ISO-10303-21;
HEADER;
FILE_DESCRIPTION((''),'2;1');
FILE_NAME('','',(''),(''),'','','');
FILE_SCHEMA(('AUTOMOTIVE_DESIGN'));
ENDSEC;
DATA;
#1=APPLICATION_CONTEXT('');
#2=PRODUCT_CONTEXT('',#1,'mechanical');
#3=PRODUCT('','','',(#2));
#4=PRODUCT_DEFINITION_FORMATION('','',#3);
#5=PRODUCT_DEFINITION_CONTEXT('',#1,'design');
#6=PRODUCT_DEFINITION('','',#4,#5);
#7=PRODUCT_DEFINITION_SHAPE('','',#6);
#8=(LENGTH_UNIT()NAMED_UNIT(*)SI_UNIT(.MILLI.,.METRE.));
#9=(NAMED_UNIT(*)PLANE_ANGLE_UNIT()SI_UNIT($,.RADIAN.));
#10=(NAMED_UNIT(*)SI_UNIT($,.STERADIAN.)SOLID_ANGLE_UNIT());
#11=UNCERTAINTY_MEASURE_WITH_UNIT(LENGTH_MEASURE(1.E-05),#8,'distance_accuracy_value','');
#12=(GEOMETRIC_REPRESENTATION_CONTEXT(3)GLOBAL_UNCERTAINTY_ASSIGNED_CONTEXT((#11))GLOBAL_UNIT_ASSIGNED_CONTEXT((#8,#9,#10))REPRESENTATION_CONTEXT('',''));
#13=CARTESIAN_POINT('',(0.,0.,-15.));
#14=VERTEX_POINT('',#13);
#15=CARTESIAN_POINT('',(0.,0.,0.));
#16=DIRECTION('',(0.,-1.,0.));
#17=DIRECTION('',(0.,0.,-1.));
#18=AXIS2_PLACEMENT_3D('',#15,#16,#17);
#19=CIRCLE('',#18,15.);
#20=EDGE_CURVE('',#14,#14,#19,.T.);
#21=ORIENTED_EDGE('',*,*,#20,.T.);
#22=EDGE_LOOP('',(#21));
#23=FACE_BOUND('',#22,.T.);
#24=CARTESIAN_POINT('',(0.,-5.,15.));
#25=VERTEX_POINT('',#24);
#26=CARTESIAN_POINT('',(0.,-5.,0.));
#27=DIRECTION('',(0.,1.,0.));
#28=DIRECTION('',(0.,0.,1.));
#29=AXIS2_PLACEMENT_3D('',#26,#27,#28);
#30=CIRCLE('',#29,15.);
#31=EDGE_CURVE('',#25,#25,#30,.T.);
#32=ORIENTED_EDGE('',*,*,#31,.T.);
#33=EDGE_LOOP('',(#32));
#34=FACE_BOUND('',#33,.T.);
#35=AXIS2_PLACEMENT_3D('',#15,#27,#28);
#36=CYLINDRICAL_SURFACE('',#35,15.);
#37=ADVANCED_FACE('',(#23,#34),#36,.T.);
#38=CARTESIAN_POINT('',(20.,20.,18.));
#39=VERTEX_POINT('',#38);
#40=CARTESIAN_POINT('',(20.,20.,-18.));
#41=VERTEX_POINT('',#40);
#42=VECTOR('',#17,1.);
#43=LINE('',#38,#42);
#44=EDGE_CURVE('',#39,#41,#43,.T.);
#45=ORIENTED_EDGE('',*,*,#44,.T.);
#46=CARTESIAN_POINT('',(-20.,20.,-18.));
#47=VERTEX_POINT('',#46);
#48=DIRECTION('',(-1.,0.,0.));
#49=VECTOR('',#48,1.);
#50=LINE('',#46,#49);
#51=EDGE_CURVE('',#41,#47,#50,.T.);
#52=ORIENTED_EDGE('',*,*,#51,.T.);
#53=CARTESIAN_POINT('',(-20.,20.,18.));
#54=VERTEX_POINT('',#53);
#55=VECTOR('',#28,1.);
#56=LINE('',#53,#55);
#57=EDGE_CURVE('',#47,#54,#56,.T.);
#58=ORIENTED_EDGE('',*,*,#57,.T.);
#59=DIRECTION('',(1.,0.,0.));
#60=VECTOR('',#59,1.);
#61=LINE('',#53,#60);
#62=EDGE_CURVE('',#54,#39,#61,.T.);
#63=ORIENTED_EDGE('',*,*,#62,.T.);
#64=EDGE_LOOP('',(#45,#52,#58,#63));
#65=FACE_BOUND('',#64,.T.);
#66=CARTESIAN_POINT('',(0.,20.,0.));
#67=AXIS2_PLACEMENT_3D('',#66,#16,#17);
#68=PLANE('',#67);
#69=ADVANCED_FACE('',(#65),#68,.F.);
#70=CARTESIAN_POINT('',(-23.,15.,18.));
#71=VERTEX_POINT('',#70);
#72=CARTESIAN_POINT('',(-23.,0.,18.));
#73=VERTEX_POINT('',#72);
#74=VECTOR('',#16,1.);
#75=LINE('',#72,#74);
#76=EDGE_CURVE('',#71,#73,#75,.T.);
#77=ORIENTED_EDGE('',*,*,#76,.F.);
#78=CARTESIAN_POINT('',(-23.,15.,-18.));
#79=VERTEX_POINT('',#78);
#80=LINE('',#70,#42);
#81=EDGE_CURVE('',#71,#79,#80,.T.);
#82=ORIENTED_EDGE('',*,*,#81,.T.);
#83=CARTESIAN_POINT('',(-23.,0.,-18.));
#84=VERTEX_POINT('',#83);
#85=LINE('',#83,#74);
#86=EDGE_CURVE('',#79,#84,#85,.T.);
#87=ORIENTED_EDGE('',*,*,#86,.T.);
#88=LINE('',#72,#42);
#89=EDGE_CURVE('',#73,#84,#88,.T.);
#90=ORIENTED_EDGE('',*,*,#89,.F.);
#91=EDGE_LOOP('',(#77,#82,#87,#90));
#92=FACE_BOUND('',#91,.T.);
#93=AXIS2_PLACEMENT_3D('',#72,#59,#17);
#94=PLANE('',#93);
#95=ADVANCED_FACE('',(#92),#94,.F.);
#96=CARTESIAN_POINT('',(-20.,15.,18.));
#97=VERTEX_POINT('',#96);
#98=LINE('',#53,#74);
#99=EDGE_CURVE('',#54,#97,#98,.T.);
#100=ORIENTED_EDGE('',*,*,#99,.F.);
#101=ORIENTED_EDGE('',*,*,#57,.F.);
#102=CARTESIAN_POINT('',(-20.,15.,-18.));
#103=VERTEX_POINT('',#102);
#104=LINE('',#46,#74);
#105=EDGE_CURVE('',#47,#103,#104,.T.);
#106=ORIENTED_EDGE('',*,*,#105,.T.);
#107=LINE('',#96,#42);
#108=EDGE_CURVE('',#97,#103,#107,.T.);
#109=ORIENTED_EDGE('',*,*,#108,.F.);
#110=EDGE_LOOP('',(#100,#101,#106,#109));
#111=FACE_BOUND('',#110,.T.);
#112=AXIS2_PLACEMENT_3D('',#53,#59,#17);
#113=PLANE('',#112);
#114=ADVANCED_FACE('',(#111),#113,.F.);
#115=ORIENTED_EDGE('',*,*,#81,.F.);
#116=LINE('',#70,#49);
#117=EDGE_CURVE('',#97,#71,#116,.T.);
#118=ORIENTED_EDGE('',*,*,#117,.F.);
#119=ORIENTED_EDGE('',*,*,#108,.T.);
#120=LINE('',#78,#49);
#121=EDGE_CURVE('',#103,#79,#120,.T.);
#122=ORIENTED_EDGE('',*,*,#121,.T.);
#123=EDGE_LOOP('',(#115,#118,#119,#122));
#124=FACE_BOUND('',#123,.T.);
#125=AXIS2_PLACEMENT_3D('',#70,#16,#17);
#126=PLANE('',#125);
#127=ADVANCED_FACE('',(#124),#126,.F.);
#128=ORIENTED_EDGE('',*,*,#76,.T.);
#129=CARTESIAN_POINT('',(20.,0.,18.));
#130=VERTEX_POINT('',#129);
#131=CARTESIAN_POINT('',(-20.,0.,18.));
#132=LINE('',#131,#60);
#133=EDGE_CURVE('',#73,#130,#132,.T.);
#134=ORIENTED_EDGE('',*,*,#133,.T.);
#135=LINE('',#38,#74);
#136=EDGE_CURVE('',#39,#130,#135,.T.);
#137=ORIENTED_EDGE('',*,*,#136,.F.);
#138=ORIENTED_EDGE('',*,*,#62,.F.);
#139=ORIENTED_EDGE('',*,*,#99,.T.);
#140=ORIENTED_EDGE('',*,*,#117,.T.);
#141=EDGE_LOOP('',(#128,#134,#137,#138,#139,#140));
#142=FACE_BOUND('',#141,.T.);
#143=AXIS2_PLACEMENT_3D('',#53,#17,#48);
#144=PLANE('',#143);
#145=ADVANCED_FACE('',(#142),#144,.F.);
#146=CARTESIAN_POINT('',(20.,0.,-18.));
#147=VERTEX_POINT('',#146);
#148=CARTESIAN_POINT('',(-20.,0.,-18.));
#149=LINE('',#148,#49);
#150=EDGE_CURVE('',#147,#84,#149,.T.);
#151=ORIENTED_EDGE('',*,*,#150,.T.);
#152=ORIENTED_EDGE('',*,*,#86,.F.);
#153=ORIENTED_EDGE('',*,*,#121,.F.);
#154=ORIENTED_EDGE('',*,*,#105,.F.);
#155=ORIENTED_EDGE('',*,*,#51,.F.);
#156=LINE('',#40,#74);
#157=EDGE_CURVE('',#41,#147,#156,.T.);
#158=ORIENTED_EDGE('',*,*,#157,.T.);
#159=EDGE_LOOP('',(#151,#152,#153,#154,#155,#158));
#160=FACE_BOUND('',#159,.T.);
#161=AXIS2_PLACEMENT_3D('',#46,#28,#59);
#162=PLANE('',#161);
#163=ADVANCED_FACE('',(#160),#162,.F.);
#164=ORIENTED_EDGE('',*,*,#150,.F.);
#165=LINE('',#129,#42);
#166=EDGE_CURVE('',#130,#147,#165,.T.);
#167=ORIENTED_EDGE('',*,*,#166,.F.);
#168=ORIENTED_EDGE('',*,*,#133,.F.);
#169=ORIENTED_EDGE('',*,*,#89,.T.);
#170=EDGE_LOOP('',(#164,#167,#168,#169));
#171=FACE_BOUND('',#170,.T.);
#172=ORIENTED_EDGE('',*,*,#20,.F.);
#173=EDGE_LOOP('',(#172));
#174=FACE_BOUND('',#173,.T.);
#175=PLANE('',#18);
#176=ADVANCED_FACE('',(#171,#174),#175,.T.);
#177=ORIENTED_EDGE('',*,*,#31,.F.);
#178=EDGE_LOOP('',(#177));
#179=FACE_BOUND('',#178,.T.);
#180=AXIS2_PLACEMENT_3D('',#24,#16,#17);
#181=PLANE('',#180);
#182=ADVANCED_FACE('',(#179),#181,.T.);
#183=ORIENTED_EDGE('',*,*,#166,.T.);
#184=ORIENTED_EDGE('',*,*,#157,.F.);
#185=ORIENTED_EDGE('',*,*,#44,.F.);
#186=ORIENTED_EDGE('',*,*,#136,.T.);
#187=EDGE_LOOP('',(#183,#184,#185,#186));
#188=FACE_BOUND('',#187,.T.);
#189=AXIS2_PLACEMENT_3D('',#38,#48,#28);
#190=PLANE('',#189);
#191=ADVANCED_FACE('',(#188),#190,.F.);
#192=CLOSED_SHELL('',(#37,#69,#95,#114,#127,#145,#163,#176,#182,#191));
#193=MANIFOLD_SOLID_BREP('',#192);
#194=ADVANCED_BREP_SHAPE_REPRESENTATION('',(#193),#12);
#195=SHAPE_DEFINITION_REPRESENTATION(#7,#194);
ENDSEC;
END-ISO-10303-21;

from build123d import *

# Parameters (mm, degrees)
CROQUIS1_W                   = 40
CROQUIS1_H                   = 36
SALIENTE_EXTRUIR1_DEPTH      = 20
CROQUIS3_W                   = 3
CROQUIS3_H                   = 15
SALIENTE_EXTRUIR2_DEPTH      = 18
SALIENTE_EXTRUIR2_DEPTH_BACK = 18


with BuildPart() as part:
    # Croquis1 → Saliente-Extruir1 (new body)
    with BuildSketch(Plane(origin=(0, 0, 0), x_dir=(1, 0, 0), z_dir=(0, 1, 0))):
        Rectangle(CROQUIS1_W, CROQUIS1_H)
    extrude(amount=SALIENTE_EXTRUIR1_DEPTH)

    # Croquis2 → Revolución1 (revolve)
    with BuildSketch(Plane(origin=(0, 0, 0), x_dir=(0, 0, -1), z_dir=(1, 0, 0))):
        Polygon((0, 0), (-15, 1.022668877), (-15, -5), (0, -5), align=None)
    revolve(axis=Axis((0, 0, 0), (0, -1, 0)))

    # Croquis3 → Saliente-Extruir2 (add, two sides)
    with BuildSketch(Plane.XY) as saliente_extruir2_sk:
        with Locations((-21.5, 7.5)):
            Rectangle(CROQUIS3_W, CROQUIS3_H)
    extrude(amount=SALIENTE_EXTRUIR2_DEPTH)
    extrude(saliente_extruir2_sk.sketch, amount=-SALIENTE_EXTRUIR2_DEPTH_BACK)


solid = part.part
